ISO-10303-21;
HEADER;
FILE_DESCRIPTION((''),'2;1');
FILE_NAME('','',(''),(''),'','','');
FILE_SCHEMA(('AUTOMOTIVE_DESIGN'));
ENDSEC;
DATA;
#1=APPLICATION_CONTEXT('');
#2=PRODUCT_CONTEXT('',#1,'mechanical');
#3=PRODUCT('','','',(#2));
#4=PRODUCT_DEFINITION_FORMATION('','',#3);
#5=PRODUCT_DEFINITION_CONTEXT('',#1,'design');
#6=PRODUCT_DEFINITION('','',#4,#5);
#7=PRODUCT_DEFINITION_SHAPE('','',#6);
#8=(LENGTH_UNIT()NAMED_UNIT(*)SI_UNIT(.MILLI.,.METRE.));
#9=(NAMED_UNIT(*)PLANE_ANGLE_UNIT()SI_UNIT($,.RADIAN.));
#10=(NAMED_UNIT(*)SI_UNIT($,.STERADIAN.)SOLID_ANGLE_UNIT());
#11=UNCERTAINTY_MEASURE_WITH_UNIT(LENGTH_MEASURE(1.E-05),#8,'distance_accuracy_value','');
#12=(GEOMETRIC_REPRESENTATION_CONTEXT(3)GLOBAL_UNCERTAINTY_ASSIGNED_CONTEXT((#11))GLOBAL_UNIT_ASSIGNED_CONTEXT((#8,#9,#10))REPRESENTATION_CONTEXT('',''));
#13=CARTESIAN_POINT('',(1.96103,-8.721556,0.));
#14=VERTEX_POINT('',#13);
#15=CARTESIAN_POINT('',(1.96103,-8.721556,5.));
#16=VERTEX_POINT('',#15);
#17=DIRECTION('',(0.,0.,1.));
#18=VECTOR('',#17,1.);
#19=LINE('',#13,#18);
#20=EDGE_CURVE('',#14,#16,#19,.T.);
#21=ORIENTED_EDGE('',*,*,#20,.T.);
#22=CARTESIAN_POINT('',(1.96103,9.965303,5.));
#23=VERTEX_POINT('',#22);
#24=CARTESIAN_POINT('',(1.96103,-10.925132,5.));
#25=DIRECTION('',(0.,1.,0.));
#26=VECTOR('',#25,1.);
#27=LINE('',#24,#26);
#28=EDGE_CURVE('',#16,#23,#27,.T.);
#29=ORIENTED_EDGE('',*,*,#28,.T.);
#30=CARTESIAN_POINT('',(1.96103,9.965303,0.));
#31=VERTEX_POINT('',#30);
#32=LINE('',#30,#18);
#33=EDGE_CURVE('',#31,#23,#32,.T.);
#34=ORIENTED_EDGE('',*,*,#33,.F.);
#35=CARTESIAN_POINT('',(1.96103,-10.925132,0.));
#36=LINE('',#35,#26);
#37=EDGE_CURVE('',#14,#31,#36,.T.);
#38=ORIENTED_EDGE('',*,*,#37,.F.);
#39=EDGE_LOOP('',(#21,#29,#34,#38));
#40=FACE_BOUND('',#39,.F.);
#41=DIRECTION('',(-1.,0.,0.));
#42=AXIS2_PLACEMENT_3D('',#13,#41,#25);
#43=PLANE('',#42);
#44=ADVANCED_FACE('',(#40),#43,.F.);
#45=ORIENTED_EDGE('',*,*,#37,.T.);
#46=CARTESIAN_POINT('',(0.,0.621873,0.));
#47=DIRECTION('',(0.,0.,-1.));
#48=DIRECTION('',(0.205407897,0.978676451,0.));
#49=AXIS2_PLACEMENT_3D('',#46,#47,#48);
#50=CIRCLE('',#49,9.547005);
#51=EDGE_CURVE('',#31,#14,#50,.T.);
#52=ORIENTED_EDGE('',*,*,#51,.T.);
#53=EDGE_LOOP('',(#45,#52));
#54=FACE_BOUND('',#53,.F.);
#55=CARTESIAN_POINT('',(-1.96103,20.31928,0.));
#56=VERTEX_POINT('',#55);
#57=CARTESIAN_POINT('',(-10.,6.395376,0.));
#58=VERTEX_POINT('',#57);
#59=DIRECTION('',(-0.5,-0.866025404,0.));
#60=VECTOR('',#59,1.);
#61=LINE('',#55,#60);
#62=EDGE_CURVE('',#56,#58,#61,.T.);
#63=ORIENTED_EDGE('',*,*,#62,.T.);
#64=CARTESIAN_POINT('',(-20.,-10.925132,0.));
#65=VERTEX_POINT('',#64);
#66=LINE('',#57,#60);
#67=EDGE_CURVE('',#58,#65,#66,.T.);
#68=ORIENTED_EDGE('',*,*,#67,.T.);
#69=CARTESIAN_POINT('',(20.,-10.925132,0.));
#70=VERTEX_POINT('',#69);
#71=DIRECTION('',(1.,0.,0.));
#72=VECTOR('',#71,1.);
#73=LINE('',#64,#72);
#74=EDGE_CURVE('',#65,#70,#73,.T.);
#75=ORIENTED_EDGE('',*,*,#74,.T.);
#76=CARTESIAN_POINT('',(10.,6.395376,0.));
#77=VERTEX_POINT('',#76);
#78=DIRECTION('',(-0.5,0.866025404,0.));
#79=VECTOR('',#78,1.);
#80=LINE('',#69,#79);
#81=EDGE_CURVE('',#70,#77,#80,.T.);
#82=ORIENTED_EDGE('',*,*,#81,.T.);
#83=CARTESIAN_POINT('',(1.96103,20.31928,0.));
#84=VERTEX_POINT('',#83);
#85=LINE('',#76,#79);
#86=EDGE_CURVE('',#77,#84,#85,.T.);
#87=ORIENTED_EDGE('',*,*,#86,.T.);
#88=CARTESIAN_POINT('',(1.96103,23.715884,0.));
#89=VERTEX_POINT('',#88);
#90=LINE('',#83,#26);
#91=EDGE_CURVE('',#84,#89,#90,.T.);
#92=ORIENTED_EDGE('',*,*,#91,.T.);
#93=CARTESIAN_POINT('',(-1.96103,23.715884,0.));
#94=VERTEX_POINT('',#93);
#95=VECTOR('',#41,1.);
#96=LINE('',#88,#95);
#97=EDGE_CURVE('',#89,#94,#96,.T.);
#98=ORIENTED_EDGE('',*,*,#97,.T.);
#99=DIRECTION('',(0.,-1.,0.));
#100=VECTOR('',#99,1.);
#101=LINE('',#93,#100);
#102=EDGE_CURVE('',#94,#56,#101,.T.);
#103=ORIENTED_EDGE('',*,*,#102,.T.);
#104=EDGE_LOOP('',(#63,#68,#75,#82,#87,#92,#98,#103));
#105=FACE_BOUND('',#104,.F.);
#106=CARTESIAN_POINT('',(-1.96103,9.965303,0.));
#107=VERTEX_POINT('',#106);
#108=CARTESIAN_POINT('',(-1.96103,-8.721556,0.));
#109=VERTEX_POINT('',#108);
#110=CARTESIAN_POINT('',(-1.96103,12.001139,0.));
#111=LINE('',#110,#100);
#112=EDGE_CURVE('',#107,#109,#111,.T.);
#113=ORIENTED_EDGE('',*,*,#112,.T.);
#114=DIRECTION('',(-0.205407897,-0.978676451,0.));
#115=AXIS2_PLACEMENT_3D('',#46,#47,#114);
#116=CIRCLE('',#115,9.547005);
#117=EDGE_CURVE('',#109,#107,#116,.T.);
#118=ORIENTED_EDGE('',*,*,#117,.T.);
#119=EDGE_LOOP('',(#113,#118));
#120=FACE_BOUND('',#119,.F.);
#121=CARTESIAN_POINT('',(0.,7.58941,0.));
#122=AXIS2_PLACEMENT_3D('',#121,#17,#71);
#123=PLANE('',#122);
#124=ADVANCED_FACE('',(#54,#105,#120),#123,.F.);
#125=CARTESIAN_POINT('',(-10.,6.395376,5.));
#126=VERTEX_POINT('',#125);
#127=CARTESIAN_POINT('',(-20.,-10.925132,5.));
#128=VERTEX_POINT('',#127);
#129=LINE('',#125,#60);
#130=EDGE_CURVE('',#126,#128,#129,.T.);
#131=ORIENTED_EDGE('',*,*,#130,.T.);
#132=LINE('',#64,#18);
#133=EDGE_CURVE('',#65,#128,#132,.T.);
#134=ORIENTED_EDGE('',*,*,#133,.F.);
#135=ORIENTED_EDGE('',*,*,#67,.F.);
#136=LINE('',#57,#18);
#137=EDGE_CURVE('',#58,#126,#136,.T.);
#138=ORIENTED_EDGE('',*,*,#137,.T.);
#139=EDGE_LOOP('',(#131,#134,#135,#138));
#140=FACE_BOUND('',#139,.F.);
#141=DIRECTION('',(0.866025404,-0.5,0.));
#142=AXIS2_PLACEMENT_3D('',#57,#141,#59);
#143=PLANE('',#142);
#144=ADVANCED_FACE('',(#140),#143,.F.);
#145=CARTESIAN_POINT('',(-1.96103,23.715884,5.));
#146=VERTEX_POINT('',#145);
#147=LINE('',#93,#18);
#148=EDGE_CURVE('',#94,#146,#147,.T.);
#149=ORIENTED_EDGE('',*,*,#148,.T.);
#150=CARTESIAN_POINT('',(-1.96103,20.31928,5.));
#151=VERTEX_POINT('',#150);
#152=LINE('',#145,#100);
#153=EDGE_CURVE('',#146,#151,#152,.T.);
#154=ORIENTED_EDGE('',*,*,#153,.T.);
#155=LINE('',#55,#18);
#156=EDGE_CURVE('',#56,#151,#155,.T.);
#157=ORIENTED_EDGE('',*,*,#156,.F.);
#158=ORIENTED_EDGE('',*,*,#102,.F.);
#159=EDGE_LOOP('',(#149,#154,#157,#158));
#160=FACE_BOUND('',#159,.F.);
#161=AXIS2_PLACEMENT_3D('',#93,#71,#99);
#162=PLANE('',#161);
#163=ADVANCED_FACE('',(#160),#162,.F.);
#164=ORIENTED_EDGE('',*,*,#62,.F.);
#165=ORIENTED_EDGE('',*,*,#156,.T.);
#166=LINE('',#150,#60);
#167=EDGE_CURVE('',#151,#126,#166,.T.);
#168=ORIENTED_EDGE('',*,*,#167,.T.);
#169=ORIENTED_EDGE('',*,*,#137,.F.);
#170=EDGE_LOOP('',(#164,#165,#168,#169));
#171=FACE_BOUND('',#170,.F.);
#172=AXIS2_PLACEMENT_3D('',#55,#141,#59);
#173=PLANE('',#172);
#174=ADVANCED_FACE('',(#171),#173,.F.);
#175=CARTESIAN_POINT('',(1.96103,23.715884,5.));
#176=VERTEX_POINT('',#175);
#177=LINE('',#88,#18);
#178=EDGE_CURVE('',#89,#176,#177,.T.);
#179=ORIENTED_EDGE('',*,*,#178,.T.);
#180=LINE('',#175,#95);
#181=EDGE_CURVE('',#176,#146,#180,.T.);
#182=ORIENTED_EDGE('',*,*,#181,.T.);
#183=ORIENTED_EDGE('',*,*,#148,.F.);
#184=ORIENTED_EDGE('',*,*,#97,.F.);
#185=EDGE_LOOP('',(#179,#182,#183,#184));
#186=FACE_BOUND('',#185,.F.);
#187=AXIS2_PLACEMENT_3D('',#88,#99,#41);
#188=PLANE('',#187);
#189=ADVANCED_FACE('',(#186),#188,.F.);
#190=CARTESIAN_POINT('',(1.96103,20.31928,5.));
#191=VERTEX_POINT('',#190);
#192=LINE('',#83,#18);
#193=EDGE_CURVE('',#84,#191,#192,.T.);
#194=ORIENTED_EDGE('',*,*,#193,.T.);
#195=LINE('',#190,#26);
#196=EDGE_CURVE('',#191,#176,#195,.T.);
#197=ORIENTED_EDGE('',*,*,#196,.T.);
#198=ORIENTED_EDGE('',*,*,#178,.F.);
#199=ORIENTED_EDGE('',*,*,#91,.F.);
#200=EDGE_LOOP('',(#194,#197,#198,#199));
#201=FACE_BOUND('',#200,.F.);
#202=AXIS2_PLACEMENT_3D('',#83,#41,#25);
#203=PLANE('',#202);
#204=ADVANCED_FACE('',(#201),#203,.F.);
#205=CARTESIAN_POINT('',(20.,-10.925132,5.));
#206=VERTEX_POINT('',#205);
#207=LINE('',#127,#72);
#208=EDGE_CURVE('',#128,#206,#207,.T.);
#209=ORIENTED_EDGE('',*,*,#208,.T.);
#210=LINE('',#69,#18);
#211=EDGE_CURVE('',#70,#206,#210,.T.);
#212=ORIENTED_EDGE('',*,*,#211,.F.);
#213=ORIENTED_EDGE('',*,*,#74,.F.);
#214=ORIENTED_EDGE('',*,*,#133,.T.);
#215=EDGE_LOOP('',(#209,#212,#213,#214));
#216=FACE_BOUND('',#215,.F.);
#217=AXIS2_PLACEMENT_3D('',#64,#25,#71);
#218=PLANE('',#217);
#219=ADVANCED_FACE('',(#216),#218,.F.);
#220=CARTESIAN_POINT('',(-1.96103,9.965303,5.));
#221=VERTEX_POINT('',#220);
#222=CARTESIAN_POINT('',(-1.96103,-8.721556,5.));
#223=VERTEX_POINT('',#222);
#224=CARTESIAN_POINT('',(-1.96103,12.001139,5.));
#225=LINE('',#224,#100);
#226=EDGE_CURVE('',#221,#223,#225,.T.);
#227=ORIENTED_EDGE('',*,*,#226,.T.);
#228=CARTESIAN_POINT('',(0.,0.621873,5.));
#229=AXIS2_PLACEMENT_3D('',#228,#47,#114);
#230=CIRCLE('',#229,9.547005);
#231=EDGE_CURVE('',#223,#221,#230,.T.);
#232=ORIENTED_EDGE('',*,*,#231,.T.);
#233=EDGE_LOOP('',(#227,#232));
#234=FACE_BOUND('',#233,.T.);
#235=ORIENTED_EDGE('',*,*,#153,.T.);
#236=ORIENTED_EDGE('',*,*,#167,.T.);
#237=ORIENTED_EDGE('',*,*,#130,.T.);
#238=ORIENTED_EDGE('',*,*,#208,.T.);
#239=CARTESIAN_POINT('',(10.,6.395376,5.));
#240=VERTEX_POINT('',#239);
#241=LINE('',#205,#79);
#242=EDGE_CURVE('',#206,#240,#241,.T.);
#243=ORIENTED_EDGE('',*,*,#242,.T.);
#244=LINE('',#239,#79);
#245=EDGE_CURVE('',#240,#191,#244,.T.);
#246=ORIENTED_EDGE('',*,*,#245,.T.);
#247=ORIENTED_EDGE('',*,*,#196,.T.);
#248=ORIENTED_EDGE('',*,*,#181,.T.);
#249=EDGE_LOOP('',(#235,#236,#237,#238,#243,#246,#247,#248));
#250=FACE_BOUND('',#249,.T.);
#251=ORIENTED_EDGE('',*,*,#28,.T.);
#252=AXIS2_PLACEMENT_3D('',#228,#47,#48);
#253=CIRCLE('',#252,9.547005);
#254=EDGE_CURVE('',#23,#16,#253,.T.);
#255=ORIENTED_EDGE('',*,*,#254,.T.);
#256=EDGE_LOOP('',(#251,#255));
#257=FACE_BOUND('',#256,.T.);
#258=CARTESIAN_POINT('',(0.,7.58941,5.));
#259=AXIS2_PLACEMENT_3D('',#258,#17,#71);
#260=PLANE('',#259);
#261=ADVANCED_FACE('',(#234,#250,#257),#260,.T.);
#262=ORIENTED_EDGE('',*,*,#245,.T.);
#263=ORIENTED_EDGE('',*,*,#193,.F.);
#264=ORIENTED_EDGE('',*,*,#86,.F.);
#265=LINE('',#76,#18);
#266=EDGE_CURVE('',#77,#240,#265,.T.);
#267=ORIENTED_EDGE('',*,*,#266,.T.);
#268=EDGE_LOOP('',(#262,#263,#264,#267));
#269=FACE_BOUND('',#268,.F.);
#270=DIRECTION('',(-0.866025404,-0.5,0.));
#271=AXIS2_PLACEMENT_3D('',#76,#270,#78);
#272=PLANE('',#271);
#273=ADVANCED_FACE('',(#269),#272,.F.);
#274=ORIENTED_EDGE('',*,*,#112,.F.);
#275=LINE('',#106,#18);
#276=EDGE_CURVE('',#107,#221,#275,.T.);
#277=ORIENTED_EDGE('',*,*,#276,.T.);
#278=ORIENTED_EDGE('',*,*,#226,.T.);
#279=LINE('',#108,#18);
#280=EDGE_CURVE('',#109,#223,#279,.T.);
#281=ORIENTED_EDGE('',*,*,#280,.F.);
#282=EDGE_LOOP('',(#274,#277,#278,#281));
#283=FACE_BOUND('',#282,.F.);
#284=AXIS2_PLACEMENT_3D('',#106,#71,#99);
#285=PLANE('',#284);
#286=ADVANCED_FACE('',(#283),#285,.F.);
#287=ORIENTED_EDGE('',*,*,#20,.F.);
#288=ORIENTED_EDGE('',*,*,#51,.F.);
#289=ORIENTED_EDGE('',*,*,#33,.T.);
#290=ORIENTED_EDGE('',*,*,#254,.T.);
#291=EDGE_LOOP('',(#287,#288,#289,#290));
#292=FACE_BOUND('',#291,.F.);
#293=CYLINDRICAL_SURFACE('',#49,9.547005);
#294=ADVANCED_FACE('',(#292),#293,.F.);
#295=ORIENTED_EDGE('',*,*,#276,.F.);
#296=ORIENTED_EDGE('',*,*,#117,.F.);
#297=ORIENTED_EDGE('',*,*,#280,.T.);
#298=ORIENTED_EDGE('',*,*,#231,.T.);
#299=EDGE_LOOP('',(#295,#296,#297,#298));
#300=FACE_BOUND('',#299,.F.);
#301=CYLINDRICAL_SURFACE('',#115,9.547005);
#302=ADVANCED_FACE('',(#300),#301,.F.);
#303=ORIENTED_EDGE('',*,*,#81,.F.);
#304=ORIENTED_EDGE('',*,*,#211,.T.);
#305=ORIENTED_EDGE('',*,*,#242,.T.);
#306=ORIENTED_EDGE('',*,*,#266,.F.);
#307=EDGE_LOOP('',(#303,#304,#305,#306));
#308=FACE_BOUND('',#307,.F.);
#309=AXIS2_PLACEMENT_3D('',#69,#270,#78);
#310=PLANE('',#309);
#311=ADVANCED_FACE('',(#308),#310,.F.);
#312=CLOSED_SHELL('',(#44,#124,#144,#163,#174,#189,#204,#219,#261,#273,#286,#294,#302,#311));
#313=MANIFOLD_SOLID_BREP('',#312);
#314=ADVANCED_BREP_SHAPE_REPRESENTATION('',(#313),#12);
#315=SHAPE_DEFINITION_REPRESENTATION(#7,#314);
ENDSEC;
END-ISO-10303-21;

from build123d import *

# Parameters (mm, degrees)
F1_DEPTH = 5


with BuildPart() as f1:
    # F0 (on Top) → F1 (new body)
    with BuildSketch(Plane.XY):
        with BuildLine():
            Line((-1.9610302988, 23.7158841491), (-1.9610302988, 20.3192800363))
            Line((-1.9610302988, 20.3192800363), (-10.0000000112, 6.3953760539))
            ThreePointArc((-10.0000000112, 6.3953760539), (-6.6047488214, 10.093442752), (-1.9610302988, 12.0011393288))
            Line((-1.9610302988, 12.0011393288), (-1.9610302988, 9.9653027286))
            Line((-1.9610302988, 9.9653027286), (-1.9610302988, -8.7215559657))
            Line((-1.9610302988, -8.7215559657), (-1.9610302988, -10.7573925659))
            ThreePointArc((-1.9610302988, -10.7573925659), (-0.9840955869, -10.8831207171), (-3.69e-08, -10.9251320023))
            ThreePointArc((-3.69e-08, -10.9251320023), (0.9840955501, -10.8831207203), (1.9610302988, -10.7573925659))
            Line((1.9610302988, -10.7573925659), (1.9610302988, -8.7215559657))
            Line((1.9610302988, -8.7215559657), (1.9610302988, 9.9653027286))
            Line((1.9610302988, 9.9653027286), (1.9610302988, 12.0011393288))
            ThreePointArc((1.9610302988, 12.0011393288), (6.6047486362, 10.0934428811), (9.9999997855, 6.3953764449))
            Line((9.9999997855, 6.3953764449), (1.9610302988, 20.3192800363))
            Line((1.9610302988, 20.3192800363), (1.9610302988, 23.7158841491))
            Line((1.9610302988, 23.7158841491), (-1.9610302988, 23.7158841491))
        make_face()
        with BuildLine():
            ThreePointArc((-1.9610302988, -10.7573925659), (-10.4556649406, -4.2783719167), (-10.0000000112, 6.3953760539))
            Line((-10.0000000112, 6.3953760539), (-20, -10.9251320023))
            Line((-20, -10.9251320023), (-1.9610302988, -10.9251320023))
            Line((-1.9610302988, -10.9251320023), (-1.9610302988, -10.7573925659))
        make_face()
        with BuildLine():
            ThreePointArc((-1.9610302988, 12.0011393288), (-6.6047488214, 10.093442752), (-10.0000000112, 6.3953760539))
            ThreePointArc((-10.0000000112, 6.3953760539), (-10.4556649406, -4.2783719167), (-1.9610302988, -10.7573925659))
            Line((-1.9610302988, -10.7573925659), (-1.9610302988, -8.7215559657))
            ThreePointArc((-1.9610302988, -8.7215559657), (-9.5470053838, 0.6218733815), (-1.9610302988, 9.9653027286))
            Line((-1.9610302988, 9.9653027286), (-1.9610302988, 12.0011393288))
        make_face()
        with BuildLine():
            ThreePointArc((-3.69e-08, -10.9251320023), (-0.9840955869, -10.8831207171), (-1.9610302988, -10.7573925659))
            Line((-1.9610302988, -10.7573925659), (-1.9610302988, -10.9251320023))
            Line((-1.9610302988, -10.9251320023), (-3.69e-08, -10.9251320023))
        make_face()
        with BuildLine():
            ThreePointArc((1.9610302988, -10.7573925659), (0.9840955501, -10.8831207203), (-3.69e-08, -10.9251320023))
            Line((-3.69e-08, -10.9251320023), (1.9610302988, -10.9251320023))
            Line((1.9610302988, -10.9251320023), (1.9610302988, -10.7573925659))
        make_face()
        with BuildLine():
            Line((1.9610302988, -10.7573925659), (1.9610302988, -10.9251320023))
            Line((1.9610302988, -10.9251320023), (20, -10.9251320023))
            Line((20, -10.9251320023), (9.9999997855, 6.3953764449))
            ThreePointArc((9.9999997855, 6.3953764449), (10.4556650364, -4.2783717123), (1.9610302988, -10.7573925659))
        make_face()
        with BuildLine():
            Line((1.9610302988, -8.7215559657), (1.9610302988, -10.7573925659))
            ThreePointArc((1.9610302988, -10.7573925659), (10.4556650364, -4.2783717123), (9.9999997855, 6.3953764449))
            ThreePointArc((9.9999997855, 6.3953764449), (6.6047486362, 10.0934428811), (1.9610302988, 12.0011393288))
            Line((1.9610302988, 12.0011393288), (1.9610302988, 9.9653027286))
            ThreePointArc((1.9610302988, 9.9653027286), (9.5470053838, 0.6218733815), (1.9610302988, -8.7215559657))
        make_face()
    extrude(amount=F1_DEPTH)


solid = f1.part
